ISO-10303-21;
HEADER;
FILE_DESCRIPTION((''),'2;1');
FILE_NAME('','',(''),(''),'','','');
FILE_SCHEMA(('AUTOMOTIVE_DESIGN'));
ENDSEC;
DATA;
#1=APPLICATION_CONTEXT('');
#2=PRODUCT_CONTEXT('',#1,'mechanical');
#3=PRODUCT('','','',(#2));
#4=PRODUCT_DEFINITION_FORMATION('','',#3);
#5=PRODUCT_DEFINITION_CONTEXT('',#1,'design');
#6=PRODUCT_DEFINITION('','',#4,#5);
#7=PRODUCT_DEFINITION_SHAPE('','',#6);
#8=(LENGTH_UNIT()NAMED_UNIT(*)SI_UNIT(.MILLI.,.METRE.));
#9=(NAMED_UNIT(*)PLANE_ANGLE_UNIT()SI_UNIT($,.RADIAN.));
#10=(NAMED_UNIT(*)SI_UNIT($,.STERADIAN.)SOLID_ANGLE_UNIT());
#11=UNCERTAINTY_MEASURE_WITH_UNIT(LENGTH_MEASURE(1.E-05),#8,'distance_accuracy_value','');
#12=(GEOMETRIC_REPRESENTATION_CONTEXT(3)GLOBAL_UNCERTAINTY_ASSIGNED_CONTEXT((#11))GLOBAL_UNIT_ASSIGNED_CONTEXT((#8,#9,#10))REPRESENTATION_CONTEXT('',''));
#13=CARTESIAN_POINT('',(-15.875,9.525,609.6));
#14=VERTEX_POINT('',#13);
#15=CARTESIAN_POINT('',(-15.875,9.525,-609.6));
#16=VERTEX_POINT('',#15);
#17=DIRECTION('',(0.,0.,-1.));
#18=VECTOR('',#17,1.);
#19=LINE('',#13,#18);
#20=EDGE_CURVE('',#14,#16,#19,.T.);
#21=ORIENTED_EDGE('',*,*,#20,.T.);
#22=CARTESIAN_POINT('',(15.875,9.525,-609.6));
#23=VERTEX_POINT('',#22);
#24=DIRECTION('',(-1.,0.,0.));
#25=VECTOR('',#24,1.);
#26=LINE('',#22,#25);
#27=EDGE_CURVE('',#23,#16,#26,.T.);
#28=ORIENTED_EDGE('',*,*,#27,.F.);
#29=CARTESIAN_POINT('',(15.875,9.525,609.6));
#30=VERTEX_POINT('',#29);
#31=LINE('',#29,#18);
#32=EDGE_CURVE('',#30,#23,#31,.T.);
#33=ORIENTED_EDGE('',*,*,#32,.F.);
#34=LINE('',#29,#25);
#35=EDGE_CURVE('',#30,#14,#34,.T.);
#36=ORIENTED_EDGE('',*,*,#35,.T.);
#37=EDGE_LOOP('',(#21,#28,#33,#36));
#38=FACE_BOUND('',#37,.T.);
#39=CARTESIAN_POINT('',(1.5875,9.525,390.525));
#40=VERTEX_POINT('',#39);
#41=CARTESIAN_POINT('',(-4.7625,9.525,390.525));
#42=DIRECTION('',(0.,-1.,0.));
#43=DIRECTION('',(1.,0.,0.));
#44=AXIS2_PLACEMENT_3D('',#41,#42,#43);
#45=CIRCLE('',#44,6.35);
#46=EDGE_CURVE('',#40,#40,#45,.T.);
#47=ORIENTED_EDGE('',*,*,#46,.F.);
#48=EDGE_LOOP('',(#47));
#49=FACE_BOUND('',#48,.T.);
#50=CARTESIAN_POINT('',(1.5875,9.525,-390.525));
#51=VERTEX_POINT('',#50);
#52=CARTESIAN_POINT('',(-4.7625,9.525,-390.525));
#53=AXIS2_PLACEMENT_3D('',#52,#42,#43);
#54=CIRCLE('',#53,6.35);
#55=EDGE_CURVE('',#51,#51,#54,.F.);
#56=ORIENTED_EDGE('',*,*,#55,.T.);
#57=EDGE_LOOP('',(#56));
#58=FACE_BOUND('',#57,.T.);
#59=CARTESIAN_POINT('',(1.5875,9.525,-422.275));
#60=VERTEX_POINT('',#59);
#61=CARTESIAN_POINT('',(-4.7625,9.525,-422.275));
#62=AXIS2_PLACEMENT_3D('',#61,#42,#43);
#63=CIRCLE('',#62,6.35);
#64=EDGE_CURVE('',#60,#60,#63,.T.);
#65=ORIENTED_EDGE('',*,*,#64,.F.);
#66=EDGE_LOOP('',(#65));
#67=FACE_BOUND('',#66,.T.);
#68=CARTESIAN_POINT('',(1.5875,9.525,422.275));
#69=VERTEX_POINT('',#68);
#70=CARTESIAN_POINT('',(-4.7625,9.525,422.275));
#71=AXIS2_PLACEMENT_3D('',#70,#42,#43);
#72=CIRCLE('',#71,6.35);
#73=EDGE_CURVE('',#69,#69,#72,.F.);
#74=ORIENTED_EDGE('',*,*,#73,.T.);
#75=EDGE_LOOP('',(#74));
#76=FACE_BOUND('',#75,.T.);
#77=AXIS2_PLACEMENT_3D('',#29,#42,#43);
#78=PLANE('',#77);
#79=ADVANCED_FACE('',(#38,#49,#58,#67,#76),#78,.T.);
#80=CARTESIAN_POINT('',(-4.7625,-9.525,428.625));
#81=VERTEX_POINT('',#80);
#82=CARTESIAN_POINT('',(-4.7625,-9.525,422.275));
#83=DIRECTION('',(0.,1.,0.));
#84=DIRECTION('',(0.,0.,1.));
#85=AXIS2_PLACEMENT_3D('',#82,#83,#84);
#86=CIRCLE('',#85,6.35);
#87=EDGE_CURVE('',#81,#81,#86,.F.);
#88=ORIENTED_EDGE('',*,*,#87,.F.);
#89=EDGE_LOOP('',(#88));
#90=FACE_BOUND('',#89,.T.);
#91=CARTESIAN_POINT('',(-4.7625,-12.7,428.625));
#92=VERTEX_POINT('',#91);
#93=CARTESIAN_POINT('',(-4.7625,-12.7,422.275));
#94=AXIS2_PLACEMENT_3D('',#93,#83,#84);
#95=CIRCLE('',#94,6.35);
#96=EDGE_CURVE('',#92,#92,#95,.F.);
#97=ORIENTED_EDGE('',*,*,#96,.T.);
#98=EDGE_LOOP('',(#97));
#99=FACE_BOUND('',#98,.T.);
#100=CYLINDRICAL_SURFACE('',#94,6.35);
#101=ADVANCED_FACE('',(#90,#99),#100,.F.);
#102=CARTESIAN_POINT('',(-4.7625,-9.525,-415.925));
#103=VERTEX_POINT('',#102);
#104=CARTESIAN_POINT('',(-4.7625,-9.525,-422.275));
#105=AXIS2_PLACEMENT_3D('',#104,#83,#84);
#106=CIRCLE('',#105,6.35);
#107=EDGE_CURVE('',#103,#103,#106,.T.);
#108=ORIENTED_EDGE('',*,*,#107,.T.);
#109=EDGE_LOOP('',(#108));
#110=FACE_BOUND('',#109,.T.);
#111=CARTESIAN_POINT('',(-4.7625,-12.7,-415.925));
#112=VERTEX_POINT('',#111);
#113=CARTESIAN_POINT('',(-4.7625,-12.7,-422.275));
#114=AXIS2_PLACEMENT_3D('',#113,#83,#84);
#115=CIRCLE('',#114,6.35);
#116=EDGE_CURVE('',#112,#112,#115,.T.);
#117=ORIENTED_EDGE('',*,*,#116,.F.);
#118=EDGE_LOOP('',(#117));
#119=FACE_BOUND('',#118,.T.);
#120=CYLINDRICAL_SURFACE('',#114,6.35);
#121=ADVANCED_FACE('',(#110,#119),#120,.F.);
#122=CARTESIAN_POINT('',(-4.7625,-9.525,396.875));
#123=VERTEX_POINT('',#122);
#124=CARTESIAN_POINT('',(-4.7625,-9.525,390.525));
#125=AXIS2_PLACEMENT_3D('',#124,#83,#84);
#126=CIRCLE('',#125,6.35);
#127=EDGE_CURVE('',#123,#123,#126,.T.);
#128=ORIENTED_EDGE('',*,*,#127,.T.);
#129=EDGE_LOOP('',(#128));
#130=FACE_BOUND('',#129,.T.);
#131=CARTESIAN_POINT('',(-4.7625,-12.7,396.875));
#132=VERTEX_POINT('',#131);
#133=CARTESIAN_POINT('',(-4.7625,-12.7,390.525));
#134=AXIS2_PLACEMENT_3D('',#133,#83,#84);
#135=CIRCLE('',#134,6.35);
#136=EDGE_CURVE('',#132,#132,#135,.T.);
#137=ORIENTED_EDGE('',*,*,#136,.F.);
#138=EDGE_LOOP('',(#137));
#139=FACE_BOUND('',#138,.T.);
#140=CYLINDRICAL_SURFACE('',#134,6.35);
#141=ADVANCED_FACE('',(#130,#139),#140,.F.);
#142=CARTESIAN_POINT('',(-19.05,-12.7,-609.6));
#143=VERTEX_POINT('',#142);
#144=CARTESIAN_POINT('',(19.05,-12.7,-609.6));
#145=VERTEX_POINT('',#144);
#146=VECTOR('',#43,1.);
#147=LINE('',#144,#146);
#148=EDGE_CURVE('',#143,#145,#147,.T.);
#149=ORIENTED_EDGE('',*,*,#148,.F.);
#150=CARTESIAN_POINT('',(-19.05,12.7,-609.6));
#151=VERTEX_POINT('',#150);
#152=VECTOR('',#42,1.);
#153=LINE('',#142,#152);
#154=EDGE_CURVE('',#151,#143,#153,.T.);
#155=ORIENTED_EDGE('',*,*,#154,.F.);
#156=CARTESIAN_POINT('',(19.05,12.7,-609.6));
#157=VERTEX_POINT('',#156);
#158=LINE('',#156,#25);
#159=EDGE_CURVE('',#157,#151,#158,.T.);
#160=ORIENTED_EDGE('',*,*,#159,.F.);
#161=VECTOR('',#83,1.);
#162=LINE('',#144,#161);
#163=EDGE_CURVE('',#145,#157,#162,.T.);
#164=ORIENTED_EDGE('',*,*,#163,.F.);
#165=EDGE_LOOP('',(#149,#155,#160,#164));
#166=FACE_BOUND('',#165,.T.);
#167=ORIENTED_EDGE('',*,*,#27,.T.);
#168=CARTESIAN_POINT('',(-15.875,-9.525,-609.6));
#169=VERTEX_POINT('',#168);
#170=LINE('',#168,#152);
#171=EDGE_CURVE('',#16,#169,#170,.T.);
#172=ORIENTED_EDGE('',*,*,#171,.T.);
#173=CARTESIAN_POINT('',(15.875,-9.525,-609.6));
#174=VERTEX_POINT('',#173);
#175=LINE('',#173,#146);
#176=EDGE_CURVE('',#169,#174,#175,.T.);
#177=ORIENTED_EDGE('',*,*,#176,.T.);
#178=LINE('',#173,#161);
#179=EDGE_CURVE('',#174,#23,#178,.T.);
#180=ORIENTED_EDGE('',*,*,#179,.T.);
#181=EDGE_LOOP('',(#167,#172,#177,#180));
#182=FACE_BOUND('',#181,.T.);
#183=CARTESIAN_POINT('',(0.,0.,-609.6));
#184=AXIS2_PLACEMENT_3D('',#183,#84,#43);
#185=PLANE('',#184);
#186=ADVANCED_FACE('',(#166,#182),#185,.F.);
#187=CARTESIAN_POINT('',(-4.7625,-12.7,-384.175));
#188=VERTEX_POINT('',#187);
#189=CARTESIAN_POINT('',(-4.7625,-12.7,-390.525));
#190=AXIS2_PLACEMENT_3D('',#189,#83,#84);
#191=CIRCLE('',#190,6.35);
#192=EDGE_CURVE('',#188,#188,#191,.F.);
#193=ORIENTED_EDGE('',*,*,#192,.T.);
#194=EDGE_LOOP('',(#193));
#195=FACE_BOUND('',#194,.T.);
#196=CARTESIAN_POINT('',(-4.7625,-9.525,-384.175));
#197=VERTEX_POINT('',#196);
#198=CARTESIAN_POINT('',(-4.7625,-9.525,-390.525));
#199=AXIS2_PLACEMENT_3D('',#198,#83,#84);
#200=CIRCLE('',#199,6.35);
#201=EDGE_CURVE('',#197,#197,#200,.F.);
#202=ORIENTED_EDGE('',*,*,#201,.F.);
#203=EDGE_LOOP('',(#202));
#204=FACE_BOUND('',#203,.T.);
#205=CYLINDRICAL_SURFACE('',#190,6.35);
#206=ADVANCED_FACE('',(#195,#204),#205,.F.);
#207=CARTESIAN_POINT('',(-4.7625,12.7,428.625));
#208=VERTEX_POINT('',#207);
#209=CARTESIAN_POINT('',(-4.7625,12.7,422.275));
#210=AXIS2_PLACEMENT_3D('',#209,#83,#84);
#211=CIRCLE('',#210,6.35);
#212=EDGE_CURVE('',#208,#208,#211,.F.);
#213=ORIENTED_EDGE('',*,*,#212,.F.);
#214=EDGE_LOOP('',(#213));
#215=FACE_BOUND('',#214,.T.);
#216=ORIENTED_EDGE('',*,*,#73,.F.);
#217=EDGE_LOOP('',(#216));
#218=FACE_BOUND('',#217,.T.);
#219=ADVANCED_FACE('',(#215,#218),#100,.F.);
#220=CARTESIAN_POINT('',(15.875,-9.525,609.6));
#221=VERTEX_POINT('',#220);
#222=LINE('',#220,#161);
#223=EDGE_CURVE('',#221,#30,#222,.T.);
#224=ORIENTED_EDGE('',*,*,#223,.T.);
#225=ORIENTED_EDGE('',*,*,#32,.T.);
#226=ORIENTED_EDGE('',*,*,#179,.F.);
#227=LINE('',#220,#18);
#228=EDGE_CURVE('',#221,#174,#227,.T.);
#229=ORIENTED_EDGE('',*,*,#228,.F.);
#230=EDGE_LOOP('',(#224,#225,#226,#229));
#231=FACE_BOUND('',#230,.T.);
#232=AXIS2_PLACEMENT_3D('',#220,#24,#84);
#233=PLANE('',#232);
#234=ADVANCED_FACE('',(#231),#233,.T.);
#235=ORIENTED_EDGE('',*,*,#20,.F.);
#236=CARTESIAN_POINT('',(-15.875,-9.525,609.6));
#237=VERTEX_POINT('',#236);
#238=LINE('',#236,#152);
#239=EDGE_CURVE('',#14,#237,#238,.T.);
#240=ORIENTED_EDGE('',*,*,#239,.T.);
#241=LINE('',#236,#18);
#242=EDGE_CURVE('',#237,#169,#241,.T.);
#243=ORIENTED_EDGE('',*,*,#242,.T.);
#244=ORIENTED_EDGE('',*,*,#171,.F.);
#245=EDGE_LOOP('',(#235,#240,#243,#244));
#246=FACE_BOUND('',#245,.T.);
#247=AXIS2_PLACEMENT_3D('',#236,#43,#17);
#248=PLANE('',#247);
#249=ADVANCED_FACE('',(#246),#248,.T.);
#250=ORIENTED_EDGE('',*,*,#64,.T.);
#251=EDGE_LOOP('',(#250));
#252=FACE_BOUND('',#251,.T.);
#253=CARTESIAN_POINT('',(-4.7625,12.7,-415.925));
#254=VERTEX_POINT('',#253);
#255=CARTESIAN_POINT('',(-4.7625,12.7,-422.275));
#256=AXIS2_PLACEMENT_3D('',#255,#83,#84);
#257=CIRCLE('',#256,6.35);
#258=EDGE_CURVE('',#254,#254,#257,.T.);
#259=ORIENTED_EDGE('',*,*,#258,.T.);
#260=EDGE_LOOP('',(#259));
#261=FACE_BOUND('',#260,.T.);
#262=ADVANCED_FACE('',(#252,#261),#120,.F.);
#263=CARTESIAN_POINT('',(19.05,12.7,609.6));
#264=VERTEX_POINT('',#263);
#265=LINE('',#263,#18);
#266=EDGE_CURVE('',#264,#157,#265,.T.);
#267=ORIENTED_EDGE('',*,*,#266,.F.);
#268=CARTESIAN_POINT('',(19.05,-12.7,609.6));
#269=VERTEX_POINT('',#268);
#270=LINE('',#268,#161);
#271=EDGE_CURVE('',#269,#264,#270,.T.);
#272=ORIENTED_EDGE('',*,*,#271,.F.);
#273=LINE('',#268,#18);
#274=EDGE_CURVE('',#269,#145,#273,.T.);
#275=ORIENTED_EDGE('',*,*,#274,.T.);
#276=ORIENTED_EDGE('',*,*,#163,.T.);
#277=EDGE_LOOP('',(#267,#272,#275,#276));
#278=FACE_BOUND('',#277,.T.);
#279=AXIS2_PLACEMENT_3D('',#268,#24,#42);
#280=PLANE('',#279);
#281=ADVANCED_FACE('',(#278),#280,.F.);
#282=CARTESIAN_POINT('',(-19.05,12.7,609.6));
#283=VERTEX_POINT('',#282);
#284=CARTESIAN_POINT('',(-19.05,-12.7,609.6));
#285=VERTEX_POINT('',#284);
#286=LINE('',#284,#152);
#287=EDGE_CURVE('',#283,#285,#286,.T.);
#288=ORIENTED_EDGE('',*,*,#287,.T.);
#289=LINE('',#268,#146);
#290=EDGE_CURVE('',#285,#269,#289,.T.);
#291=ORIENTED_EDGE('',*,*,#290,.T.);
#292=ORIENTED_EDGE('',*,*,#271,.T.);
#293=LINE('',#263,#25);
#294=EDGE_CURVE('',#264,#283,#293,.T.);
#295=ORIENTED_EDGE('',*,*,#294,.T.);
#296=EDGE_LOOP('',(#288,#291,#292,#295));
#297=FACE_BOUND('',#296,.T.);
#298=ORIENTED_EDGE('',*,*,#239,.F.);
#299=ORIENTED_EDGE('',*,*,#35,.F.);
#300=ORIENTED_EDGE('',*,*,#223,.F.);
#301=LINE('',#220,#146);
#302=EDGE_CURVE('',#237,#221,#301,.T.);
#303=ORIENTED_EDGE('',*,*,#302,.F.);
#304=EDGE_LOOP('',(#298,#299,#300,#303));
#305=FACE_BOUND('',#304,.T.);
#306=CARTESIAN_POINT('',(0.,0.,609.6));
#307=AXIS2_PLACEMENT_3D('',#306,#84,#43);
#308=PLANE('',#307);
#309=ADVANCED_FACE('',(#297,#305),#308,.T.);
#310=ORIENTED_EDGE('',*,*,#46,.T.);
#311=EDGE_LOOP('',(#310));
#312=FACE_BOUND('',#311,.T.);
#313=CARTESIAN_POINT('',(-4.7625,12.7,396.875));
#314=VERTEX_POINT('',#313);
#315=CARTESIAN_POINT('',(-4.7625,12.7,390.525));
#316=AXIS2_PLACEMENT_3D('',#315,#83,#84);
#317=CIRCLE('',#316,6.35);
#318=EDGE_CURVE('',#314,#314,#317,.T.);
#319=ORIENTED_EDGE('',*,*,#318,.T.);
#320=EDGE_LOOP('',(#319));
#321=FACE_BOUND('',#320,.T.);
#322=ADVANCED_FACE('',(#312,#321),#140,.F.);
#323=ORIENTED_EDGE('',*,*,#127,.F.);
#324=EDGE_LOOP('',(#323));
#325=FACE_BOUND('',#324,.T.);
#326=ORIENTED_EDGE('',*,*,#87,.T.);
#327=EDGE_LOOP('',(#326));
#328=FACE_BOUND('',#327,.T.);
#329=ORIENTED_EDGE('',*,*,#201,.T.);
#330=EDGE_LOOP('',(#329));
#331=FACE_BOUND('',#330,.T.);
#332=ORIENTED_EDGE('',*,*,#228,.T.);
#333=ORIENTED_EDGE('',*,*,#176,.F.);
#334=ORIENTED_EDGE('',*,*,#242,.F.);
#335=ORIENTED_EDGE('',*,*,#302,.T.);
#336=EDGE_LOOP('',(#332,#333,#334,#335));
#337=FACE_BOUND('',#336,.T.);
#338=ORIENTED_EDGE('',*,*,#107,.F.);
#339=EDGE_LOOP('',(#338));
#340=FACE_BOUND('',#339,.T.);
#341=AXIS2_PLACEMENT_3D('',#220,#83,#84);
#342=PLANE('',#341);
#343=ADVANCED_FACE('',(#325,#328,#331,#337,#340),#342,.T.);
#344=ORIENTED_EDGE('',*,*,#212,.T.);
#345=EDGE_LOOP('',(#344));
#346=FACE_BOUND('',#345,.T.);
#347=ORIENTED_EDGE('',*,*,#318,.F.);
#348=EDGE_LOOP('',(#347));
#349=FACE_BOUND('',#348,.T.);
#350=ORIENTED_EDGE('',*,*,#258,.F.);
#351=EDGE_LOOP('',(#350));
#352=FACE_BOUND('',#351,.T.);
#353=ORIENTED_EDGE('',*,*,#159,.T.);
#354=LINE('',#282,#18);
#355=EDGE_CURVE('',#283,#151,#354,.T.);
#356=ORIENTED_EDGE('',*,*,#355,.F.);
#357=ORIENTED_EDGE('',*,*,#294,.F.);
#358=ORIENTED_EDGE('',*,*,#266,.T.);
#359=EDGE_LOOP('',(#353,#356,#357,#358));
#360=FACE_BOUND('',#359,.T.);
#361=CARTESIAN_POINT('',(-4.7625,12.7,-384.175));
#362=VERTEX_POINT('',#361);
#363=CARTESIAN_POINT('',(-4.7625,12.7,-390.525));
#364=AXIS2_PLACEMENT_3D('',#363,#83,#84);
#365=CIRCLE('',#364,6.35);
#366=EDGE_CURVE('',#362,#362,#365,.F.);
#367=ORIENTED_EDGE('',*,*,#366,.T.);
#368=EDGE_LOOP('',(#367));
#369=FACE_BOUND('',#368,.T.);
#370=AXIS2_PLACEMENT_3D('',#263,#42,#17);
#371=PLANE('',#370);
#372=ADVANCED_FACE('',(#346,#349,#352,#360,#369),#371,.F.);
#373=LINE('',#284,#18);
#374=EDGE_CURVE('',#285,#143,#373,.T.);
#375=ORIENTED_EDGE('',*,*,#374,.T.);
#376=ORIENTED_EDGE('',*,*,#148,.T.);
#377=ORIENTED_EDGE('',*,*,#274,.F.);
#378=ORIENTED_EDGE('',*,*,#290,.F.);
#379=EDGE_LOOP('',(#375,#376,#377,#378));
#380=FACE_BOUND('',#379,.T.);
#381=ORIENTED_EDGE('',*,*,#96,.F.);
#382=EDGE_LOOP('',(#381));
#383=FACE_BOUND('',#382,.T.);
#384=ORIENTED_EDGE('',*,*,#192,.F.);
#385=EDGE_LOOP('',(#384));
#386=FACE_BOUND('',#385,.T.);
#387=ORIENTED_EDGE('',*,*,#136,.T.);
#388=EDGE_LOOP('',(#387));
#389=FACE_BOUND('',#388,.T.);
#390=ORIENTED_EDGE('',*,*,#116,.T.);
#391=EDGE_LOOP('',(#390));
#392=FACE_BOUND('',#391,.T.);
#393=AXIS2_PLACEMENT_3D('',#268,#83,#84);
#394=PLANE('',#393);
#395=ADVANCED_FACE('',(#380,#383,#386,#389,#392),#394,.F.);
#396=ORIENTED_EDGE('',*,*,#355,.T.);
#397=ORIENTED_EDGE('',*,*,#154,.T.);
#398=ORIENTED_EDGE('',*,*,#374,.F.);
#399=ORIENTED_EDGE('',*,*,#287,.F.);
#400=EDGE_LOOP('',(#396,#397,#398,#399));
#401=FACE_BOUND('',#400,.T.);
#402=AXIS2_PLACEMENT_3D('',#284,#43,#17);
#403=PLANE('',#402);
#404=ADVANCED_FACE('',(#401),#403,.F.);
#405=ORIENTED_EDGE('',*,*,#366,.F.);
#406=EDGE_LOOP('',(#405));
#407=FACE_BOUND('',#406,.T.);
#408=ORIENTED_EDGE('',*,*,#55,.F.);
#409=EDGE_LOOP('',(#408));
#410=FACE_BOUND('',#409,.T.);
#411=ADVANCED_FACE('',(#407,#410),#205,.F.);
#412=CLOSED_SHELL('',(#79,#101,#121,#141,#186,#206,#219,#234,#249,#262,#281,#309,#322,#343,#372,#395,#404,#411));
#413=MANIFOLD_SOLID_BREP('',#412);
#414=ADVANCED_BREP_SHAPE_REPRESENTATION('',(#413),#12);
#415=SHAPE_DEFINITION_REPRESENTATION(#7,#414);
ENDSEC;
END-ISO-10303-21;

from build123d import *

# Parameters (mm, degrees)
BOSS_EXTRUDE1_DEPTH      = 609.6
BOSS_EXTRUDE1_DEPTH_BACK = 609.6
SKETCH3_W                = 38.1
SKETCH3_H                = 25.4
SKETCH3_W_2              = 31.75
SKETCH3_H_2              = 19.05
SKETCH6_R                = 6.35
CUT_EXTRUDE1_DEPTH       = 611.426262951


with BuildPart() as part:
    # Sketch3 → Boss-Extrude1 (new, two sides: drawn at the far end of the back side and taken through both)
    with BuildSketch(Plane.XY.offset(-BOSS_EXTRUDE1_DEPTH_BACK)):
        Rectangle(SKETCH3_W, SKETCH3_H)
        Rectangle(SKETCH3_W_2, SKETCH3_H_2, mode=Mode.SUBTRACT)
    extrude(amount=BOSS_EXTRUDE1_DEPTH + BOSS_EXTRUDE1_DEPTH_BACK)

    # Sketch6 → Cut-Extrude1 (cut, through all)
    with BuildSketch(Plane(origin=(0, 12.7, 0), x_dir=(1, 0, 0), z_dir=(0, 1, 0))):
        with Locations(Location((-4.7625, -390.525, 0), (0, 0, 270))):
            Circle(SKETCH6_R)
        with Locations(Location((-4.7625, -422.275, 0), (0, 0, 270))):
            Circle(SKETCH6_R)
        with Locations(Location((-4.7625, 422.275, 0), (0, 0, 270))):
            Circle(SKETCH6_R)
        with Locations(Location((-4.7625, 390.525, 0), (0, 0, 270))):
            Circle(SKETCH6_R)
    extrude(amount=-CUT_EXTRUDE1_DEPTH, mode=Mode.SUBTRACT)


solid = part.part
